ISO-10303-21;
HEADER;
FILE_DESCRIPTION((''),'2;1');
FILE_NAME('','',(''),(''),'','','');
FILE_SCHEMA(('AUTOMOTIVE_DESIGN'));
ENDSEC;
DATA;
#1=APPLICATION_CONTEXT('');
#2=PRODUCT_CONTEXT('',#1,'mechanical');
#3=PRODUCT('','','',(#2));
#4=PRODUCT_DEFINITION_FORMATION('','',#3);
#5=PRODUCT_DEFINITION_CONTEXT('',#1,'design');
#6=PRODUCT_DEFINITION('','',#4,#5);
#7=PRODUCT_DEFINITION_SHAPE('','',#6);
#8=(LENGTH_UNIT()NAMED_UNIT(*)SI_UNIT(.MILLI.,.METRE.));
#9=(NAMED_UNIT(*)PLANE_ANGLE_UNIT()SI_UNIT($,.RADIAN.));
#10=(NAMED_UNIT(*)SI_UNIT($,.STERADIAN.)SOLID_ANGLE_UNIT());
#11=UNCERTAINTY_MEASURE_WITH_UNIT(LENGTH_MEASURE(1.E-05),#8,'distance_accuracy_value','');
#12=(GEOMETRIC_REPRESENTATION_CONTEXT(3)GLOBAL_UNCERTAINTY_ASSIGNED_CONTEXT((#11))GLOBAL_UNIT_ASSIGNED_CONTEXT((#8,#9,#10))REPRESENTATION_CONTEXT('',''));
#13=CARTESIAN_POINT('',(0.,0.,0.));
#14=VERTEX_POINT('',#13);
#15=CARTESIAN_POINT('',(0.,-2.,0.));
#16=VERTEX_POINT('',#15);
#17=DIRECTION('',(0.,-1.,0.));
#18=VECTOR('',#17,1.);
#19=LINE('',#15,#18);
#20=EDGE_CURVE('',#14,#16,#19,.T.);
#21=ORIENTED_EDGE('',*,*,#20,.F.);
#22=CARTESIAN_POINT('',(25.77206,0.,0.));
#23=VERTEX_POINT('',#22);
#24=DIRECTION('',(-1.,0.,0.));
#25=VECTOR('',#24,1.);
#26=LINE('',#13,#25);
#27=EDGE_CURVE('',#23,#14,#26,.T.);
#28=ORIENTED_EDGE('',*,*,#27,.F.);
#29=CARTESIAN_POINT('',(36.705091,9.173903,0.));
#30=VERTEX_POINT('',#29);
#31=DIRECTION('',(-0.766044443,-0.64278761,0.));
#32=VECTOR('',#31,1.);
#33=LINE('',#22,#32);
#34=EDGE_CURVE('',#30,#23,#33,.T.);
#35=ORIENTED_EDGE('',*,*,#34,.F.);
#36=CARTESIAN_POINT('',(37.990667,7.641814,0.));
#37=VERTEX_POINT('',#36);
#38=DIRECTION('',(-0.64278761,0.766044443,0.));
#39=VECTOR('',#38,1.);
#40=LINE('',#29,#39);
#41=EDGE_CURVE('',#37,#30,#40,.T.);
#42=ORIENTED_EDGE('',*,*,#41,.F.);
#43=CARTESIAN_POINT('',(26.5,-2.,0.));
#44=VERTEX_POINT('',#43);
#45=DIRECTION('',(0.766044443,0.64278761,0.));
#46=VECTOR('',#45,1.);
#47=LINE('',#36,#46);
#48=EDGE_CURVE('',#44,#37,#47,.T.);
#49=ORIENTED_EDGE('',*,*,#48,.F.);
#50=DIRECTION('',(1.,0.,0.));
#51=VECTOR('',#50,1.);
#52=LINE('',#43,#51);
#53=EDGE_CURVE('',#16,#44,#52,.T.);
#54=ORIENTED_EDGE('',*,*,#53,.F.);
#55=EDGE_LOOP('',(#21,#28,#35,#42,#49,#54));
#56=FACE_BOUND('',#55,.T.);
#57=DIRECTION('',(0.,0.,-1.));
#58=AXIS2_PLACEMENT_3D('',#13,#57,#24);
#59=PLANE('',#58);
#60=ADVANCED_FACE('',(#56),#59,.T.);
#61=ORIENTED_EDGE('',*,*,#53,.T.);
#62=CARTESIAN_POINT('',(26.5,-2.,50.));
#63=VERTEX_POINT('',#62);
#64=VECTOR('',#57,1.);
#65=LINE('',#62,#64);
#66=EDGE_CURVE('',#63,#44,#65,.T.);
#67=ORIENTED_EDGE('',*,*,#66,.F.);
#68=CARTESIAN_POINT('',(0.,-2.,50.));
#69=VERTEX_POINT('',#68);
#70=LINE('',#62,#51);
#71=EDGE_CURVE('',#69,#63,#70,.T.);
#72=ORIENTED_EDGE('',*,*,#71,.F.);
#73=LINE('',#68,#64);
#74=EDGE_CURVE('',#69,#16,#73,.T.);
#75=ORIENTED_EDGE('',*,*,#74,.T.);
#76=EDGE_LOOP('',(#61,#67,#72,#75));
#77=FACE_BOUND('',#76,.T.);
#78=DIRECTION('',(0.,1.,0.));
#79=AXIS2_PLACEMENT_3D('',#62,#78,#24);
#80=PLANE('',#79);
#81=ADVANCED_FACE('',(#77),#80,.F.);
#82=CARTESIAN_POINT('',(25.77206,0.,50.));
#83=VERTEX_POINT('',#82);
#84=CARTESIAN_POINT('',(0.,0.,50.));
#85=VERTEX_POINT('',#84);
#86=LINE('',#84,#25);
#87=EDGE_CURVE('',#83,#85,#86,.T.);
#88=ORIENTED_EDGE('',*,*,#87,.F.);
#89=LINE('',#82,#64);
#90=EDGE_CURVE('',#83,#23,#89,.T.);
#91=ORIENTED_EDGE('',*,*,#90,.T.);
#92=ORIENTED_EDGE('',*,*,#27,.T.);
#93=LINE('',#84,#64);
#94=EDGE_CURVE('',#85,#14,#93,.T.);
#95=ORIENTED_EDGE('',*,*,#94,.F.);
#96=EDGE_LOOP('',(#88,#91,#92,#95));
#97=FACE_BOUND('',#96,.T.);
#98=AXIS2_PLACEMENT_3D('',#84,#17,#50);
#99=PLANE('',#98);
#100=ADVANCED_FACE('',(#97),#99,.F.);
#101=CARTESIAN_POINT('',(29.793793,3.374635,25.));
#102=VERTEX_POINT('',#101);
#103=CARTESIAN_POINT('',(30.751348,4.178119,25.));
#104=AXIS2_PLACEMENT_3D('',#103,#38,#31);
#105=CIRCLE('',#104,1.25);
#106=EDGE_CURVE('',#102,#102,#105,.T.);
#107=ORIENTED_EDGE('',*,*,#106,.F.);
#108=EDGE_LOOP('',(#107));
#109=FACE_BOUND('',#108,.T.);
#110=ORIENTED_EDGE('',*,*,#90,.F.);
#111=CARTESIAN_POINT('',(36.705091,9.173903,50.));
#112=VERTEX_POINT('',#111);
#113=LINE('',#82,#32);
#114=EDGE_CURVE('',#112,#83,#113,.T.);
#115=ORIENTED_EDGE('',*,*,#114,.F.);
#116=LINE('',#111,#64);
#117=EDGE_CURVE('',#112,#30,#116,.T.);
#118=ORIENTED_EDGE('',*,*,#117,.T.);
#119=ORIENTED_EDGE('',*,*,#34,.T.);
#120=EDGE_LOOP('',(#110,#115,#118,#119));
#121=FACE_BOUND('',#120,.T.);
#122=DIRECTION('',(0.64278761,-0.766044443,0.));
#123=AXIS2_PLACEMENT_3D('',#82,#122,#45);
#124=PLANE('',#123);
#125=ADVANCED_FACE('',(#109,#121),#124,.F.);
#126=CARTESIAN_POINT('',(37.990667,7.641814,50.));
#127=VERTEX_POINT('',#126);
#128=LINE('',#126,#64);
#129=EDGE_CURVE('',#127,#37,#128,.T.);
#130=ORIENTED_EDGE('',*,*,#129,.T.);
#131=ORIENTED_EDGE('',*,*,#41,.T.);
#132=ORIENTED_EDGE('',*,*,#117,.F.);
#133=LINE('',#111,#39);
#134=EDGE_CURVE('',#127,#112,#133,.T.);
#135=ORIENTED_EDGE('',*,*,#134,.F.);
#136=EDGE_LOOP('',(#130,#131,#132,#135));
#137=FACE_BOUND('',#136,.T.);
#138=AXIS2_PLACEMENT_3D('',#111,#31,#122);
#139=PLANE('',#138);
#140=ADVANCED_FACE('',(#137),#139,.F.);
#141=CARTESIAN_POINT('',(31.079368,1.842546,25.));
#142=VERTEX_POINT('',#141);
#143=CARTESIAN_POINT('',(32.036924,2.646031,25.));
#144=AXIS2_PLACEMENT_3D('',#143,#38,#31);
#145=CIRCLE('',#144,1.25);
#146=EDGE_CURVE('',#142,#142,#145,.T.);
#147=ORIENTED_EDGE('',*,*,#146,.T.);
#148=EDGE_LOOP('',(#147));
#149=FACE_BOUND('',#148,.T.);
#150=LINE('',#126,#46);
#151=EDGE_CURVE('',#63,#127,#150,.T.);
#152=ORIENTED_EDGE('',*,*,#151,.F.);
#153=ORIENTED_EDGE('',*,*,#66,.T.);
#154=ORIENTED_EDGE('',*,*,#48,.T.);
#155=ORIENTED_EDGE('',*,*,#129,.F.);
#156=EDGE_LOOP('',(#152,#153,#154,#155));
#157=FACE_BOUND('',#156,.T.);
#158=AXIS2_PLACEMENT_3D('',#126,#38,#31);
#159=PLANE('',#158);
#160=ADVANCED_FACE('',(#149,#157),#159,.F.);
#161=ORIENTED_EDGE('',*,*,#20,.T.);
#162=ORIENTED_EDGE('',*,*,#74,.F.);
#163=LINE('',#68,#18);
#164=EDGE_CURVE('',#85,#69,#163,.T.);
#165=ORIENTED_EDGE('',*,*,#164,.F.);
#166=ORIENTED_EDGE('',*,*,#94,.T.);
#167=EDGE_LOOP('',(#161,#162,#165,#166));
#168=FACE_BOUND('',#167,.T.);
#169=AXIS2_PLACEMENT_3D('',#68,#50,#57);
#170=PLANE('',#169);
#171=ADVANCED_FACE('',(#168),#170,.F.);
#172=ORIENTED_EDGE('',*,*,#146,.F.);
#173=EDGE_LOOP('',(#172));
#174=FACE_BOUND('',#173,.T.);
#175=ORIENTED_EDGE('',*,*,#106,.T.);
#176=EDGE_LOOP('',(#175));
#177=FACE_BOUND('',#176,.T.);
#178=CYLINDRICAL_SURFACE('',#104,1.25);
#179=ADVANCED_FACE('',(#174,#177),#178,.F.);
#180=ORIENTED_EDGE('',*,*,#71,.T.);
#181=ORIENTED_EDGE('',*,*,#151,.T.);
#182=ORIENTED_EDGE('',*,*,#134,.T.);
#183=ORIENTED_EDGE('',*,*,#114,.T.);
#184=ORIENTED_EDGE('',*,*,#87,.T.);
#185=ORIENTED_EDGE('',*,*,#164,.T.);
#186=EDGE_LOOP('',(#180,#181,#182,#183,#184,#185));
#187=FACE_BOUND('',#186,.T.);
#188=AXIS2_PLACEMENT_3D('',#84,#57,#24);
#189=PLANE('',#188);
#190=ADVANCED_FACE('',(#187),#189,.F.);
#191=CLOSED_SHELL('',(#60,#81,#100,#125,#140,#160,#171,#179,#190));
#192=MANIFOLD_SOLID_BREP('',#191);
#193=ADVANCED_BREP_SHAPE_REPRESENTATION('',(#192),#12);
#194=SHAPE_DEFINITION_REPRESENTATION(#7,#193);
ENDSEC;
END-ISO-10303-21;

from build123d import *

# Parameters (mm, degrees)
EXTRUDE_1_DEPTH = 50
M3X0_5_1_D      = 2.5
M3X0_5_1_DEPTH  = 8.5
M3X0_5_1_TIP    = 0.751075774


with BuildPart() as part:
    # ｽｹｯﾁ1 → ﾎﾞｽ - 押し出し1 (new body)
    with BuildSketch(Plane.XY):
        Polygon((0, 0), (25.772059531, 0), (36.705091427, 9.173903032), (37.990666647, 7.641814145), (26.5, -2), (0, -2), align=None)
    extrude(amount=EXTRUDE_1_DEPTH)

    # M3x0.5 ねじ穴1
    with Locations(Plane(origin=(30.751348412, 4.178119463, 25), x_dir=(0.766044443, 0.64278761, 0), z_dir=(-0.64278761, 0.766044443, 0))):
        with Locations((0, 0)):
            Hole(M3X0_5_1_D / 2, depth=M3X0_5_1_DEPTH)
            with Locations((0, 0, -(M3X0_5_1_DEPTH + M3X0_5_1_TIP / 2))):  # 118° drill point
                Cone(0, M3X0_5_1_D / 2, M3X0_5_1_TIP, mode=Mode.SUBTRACT)


solid = part.part
